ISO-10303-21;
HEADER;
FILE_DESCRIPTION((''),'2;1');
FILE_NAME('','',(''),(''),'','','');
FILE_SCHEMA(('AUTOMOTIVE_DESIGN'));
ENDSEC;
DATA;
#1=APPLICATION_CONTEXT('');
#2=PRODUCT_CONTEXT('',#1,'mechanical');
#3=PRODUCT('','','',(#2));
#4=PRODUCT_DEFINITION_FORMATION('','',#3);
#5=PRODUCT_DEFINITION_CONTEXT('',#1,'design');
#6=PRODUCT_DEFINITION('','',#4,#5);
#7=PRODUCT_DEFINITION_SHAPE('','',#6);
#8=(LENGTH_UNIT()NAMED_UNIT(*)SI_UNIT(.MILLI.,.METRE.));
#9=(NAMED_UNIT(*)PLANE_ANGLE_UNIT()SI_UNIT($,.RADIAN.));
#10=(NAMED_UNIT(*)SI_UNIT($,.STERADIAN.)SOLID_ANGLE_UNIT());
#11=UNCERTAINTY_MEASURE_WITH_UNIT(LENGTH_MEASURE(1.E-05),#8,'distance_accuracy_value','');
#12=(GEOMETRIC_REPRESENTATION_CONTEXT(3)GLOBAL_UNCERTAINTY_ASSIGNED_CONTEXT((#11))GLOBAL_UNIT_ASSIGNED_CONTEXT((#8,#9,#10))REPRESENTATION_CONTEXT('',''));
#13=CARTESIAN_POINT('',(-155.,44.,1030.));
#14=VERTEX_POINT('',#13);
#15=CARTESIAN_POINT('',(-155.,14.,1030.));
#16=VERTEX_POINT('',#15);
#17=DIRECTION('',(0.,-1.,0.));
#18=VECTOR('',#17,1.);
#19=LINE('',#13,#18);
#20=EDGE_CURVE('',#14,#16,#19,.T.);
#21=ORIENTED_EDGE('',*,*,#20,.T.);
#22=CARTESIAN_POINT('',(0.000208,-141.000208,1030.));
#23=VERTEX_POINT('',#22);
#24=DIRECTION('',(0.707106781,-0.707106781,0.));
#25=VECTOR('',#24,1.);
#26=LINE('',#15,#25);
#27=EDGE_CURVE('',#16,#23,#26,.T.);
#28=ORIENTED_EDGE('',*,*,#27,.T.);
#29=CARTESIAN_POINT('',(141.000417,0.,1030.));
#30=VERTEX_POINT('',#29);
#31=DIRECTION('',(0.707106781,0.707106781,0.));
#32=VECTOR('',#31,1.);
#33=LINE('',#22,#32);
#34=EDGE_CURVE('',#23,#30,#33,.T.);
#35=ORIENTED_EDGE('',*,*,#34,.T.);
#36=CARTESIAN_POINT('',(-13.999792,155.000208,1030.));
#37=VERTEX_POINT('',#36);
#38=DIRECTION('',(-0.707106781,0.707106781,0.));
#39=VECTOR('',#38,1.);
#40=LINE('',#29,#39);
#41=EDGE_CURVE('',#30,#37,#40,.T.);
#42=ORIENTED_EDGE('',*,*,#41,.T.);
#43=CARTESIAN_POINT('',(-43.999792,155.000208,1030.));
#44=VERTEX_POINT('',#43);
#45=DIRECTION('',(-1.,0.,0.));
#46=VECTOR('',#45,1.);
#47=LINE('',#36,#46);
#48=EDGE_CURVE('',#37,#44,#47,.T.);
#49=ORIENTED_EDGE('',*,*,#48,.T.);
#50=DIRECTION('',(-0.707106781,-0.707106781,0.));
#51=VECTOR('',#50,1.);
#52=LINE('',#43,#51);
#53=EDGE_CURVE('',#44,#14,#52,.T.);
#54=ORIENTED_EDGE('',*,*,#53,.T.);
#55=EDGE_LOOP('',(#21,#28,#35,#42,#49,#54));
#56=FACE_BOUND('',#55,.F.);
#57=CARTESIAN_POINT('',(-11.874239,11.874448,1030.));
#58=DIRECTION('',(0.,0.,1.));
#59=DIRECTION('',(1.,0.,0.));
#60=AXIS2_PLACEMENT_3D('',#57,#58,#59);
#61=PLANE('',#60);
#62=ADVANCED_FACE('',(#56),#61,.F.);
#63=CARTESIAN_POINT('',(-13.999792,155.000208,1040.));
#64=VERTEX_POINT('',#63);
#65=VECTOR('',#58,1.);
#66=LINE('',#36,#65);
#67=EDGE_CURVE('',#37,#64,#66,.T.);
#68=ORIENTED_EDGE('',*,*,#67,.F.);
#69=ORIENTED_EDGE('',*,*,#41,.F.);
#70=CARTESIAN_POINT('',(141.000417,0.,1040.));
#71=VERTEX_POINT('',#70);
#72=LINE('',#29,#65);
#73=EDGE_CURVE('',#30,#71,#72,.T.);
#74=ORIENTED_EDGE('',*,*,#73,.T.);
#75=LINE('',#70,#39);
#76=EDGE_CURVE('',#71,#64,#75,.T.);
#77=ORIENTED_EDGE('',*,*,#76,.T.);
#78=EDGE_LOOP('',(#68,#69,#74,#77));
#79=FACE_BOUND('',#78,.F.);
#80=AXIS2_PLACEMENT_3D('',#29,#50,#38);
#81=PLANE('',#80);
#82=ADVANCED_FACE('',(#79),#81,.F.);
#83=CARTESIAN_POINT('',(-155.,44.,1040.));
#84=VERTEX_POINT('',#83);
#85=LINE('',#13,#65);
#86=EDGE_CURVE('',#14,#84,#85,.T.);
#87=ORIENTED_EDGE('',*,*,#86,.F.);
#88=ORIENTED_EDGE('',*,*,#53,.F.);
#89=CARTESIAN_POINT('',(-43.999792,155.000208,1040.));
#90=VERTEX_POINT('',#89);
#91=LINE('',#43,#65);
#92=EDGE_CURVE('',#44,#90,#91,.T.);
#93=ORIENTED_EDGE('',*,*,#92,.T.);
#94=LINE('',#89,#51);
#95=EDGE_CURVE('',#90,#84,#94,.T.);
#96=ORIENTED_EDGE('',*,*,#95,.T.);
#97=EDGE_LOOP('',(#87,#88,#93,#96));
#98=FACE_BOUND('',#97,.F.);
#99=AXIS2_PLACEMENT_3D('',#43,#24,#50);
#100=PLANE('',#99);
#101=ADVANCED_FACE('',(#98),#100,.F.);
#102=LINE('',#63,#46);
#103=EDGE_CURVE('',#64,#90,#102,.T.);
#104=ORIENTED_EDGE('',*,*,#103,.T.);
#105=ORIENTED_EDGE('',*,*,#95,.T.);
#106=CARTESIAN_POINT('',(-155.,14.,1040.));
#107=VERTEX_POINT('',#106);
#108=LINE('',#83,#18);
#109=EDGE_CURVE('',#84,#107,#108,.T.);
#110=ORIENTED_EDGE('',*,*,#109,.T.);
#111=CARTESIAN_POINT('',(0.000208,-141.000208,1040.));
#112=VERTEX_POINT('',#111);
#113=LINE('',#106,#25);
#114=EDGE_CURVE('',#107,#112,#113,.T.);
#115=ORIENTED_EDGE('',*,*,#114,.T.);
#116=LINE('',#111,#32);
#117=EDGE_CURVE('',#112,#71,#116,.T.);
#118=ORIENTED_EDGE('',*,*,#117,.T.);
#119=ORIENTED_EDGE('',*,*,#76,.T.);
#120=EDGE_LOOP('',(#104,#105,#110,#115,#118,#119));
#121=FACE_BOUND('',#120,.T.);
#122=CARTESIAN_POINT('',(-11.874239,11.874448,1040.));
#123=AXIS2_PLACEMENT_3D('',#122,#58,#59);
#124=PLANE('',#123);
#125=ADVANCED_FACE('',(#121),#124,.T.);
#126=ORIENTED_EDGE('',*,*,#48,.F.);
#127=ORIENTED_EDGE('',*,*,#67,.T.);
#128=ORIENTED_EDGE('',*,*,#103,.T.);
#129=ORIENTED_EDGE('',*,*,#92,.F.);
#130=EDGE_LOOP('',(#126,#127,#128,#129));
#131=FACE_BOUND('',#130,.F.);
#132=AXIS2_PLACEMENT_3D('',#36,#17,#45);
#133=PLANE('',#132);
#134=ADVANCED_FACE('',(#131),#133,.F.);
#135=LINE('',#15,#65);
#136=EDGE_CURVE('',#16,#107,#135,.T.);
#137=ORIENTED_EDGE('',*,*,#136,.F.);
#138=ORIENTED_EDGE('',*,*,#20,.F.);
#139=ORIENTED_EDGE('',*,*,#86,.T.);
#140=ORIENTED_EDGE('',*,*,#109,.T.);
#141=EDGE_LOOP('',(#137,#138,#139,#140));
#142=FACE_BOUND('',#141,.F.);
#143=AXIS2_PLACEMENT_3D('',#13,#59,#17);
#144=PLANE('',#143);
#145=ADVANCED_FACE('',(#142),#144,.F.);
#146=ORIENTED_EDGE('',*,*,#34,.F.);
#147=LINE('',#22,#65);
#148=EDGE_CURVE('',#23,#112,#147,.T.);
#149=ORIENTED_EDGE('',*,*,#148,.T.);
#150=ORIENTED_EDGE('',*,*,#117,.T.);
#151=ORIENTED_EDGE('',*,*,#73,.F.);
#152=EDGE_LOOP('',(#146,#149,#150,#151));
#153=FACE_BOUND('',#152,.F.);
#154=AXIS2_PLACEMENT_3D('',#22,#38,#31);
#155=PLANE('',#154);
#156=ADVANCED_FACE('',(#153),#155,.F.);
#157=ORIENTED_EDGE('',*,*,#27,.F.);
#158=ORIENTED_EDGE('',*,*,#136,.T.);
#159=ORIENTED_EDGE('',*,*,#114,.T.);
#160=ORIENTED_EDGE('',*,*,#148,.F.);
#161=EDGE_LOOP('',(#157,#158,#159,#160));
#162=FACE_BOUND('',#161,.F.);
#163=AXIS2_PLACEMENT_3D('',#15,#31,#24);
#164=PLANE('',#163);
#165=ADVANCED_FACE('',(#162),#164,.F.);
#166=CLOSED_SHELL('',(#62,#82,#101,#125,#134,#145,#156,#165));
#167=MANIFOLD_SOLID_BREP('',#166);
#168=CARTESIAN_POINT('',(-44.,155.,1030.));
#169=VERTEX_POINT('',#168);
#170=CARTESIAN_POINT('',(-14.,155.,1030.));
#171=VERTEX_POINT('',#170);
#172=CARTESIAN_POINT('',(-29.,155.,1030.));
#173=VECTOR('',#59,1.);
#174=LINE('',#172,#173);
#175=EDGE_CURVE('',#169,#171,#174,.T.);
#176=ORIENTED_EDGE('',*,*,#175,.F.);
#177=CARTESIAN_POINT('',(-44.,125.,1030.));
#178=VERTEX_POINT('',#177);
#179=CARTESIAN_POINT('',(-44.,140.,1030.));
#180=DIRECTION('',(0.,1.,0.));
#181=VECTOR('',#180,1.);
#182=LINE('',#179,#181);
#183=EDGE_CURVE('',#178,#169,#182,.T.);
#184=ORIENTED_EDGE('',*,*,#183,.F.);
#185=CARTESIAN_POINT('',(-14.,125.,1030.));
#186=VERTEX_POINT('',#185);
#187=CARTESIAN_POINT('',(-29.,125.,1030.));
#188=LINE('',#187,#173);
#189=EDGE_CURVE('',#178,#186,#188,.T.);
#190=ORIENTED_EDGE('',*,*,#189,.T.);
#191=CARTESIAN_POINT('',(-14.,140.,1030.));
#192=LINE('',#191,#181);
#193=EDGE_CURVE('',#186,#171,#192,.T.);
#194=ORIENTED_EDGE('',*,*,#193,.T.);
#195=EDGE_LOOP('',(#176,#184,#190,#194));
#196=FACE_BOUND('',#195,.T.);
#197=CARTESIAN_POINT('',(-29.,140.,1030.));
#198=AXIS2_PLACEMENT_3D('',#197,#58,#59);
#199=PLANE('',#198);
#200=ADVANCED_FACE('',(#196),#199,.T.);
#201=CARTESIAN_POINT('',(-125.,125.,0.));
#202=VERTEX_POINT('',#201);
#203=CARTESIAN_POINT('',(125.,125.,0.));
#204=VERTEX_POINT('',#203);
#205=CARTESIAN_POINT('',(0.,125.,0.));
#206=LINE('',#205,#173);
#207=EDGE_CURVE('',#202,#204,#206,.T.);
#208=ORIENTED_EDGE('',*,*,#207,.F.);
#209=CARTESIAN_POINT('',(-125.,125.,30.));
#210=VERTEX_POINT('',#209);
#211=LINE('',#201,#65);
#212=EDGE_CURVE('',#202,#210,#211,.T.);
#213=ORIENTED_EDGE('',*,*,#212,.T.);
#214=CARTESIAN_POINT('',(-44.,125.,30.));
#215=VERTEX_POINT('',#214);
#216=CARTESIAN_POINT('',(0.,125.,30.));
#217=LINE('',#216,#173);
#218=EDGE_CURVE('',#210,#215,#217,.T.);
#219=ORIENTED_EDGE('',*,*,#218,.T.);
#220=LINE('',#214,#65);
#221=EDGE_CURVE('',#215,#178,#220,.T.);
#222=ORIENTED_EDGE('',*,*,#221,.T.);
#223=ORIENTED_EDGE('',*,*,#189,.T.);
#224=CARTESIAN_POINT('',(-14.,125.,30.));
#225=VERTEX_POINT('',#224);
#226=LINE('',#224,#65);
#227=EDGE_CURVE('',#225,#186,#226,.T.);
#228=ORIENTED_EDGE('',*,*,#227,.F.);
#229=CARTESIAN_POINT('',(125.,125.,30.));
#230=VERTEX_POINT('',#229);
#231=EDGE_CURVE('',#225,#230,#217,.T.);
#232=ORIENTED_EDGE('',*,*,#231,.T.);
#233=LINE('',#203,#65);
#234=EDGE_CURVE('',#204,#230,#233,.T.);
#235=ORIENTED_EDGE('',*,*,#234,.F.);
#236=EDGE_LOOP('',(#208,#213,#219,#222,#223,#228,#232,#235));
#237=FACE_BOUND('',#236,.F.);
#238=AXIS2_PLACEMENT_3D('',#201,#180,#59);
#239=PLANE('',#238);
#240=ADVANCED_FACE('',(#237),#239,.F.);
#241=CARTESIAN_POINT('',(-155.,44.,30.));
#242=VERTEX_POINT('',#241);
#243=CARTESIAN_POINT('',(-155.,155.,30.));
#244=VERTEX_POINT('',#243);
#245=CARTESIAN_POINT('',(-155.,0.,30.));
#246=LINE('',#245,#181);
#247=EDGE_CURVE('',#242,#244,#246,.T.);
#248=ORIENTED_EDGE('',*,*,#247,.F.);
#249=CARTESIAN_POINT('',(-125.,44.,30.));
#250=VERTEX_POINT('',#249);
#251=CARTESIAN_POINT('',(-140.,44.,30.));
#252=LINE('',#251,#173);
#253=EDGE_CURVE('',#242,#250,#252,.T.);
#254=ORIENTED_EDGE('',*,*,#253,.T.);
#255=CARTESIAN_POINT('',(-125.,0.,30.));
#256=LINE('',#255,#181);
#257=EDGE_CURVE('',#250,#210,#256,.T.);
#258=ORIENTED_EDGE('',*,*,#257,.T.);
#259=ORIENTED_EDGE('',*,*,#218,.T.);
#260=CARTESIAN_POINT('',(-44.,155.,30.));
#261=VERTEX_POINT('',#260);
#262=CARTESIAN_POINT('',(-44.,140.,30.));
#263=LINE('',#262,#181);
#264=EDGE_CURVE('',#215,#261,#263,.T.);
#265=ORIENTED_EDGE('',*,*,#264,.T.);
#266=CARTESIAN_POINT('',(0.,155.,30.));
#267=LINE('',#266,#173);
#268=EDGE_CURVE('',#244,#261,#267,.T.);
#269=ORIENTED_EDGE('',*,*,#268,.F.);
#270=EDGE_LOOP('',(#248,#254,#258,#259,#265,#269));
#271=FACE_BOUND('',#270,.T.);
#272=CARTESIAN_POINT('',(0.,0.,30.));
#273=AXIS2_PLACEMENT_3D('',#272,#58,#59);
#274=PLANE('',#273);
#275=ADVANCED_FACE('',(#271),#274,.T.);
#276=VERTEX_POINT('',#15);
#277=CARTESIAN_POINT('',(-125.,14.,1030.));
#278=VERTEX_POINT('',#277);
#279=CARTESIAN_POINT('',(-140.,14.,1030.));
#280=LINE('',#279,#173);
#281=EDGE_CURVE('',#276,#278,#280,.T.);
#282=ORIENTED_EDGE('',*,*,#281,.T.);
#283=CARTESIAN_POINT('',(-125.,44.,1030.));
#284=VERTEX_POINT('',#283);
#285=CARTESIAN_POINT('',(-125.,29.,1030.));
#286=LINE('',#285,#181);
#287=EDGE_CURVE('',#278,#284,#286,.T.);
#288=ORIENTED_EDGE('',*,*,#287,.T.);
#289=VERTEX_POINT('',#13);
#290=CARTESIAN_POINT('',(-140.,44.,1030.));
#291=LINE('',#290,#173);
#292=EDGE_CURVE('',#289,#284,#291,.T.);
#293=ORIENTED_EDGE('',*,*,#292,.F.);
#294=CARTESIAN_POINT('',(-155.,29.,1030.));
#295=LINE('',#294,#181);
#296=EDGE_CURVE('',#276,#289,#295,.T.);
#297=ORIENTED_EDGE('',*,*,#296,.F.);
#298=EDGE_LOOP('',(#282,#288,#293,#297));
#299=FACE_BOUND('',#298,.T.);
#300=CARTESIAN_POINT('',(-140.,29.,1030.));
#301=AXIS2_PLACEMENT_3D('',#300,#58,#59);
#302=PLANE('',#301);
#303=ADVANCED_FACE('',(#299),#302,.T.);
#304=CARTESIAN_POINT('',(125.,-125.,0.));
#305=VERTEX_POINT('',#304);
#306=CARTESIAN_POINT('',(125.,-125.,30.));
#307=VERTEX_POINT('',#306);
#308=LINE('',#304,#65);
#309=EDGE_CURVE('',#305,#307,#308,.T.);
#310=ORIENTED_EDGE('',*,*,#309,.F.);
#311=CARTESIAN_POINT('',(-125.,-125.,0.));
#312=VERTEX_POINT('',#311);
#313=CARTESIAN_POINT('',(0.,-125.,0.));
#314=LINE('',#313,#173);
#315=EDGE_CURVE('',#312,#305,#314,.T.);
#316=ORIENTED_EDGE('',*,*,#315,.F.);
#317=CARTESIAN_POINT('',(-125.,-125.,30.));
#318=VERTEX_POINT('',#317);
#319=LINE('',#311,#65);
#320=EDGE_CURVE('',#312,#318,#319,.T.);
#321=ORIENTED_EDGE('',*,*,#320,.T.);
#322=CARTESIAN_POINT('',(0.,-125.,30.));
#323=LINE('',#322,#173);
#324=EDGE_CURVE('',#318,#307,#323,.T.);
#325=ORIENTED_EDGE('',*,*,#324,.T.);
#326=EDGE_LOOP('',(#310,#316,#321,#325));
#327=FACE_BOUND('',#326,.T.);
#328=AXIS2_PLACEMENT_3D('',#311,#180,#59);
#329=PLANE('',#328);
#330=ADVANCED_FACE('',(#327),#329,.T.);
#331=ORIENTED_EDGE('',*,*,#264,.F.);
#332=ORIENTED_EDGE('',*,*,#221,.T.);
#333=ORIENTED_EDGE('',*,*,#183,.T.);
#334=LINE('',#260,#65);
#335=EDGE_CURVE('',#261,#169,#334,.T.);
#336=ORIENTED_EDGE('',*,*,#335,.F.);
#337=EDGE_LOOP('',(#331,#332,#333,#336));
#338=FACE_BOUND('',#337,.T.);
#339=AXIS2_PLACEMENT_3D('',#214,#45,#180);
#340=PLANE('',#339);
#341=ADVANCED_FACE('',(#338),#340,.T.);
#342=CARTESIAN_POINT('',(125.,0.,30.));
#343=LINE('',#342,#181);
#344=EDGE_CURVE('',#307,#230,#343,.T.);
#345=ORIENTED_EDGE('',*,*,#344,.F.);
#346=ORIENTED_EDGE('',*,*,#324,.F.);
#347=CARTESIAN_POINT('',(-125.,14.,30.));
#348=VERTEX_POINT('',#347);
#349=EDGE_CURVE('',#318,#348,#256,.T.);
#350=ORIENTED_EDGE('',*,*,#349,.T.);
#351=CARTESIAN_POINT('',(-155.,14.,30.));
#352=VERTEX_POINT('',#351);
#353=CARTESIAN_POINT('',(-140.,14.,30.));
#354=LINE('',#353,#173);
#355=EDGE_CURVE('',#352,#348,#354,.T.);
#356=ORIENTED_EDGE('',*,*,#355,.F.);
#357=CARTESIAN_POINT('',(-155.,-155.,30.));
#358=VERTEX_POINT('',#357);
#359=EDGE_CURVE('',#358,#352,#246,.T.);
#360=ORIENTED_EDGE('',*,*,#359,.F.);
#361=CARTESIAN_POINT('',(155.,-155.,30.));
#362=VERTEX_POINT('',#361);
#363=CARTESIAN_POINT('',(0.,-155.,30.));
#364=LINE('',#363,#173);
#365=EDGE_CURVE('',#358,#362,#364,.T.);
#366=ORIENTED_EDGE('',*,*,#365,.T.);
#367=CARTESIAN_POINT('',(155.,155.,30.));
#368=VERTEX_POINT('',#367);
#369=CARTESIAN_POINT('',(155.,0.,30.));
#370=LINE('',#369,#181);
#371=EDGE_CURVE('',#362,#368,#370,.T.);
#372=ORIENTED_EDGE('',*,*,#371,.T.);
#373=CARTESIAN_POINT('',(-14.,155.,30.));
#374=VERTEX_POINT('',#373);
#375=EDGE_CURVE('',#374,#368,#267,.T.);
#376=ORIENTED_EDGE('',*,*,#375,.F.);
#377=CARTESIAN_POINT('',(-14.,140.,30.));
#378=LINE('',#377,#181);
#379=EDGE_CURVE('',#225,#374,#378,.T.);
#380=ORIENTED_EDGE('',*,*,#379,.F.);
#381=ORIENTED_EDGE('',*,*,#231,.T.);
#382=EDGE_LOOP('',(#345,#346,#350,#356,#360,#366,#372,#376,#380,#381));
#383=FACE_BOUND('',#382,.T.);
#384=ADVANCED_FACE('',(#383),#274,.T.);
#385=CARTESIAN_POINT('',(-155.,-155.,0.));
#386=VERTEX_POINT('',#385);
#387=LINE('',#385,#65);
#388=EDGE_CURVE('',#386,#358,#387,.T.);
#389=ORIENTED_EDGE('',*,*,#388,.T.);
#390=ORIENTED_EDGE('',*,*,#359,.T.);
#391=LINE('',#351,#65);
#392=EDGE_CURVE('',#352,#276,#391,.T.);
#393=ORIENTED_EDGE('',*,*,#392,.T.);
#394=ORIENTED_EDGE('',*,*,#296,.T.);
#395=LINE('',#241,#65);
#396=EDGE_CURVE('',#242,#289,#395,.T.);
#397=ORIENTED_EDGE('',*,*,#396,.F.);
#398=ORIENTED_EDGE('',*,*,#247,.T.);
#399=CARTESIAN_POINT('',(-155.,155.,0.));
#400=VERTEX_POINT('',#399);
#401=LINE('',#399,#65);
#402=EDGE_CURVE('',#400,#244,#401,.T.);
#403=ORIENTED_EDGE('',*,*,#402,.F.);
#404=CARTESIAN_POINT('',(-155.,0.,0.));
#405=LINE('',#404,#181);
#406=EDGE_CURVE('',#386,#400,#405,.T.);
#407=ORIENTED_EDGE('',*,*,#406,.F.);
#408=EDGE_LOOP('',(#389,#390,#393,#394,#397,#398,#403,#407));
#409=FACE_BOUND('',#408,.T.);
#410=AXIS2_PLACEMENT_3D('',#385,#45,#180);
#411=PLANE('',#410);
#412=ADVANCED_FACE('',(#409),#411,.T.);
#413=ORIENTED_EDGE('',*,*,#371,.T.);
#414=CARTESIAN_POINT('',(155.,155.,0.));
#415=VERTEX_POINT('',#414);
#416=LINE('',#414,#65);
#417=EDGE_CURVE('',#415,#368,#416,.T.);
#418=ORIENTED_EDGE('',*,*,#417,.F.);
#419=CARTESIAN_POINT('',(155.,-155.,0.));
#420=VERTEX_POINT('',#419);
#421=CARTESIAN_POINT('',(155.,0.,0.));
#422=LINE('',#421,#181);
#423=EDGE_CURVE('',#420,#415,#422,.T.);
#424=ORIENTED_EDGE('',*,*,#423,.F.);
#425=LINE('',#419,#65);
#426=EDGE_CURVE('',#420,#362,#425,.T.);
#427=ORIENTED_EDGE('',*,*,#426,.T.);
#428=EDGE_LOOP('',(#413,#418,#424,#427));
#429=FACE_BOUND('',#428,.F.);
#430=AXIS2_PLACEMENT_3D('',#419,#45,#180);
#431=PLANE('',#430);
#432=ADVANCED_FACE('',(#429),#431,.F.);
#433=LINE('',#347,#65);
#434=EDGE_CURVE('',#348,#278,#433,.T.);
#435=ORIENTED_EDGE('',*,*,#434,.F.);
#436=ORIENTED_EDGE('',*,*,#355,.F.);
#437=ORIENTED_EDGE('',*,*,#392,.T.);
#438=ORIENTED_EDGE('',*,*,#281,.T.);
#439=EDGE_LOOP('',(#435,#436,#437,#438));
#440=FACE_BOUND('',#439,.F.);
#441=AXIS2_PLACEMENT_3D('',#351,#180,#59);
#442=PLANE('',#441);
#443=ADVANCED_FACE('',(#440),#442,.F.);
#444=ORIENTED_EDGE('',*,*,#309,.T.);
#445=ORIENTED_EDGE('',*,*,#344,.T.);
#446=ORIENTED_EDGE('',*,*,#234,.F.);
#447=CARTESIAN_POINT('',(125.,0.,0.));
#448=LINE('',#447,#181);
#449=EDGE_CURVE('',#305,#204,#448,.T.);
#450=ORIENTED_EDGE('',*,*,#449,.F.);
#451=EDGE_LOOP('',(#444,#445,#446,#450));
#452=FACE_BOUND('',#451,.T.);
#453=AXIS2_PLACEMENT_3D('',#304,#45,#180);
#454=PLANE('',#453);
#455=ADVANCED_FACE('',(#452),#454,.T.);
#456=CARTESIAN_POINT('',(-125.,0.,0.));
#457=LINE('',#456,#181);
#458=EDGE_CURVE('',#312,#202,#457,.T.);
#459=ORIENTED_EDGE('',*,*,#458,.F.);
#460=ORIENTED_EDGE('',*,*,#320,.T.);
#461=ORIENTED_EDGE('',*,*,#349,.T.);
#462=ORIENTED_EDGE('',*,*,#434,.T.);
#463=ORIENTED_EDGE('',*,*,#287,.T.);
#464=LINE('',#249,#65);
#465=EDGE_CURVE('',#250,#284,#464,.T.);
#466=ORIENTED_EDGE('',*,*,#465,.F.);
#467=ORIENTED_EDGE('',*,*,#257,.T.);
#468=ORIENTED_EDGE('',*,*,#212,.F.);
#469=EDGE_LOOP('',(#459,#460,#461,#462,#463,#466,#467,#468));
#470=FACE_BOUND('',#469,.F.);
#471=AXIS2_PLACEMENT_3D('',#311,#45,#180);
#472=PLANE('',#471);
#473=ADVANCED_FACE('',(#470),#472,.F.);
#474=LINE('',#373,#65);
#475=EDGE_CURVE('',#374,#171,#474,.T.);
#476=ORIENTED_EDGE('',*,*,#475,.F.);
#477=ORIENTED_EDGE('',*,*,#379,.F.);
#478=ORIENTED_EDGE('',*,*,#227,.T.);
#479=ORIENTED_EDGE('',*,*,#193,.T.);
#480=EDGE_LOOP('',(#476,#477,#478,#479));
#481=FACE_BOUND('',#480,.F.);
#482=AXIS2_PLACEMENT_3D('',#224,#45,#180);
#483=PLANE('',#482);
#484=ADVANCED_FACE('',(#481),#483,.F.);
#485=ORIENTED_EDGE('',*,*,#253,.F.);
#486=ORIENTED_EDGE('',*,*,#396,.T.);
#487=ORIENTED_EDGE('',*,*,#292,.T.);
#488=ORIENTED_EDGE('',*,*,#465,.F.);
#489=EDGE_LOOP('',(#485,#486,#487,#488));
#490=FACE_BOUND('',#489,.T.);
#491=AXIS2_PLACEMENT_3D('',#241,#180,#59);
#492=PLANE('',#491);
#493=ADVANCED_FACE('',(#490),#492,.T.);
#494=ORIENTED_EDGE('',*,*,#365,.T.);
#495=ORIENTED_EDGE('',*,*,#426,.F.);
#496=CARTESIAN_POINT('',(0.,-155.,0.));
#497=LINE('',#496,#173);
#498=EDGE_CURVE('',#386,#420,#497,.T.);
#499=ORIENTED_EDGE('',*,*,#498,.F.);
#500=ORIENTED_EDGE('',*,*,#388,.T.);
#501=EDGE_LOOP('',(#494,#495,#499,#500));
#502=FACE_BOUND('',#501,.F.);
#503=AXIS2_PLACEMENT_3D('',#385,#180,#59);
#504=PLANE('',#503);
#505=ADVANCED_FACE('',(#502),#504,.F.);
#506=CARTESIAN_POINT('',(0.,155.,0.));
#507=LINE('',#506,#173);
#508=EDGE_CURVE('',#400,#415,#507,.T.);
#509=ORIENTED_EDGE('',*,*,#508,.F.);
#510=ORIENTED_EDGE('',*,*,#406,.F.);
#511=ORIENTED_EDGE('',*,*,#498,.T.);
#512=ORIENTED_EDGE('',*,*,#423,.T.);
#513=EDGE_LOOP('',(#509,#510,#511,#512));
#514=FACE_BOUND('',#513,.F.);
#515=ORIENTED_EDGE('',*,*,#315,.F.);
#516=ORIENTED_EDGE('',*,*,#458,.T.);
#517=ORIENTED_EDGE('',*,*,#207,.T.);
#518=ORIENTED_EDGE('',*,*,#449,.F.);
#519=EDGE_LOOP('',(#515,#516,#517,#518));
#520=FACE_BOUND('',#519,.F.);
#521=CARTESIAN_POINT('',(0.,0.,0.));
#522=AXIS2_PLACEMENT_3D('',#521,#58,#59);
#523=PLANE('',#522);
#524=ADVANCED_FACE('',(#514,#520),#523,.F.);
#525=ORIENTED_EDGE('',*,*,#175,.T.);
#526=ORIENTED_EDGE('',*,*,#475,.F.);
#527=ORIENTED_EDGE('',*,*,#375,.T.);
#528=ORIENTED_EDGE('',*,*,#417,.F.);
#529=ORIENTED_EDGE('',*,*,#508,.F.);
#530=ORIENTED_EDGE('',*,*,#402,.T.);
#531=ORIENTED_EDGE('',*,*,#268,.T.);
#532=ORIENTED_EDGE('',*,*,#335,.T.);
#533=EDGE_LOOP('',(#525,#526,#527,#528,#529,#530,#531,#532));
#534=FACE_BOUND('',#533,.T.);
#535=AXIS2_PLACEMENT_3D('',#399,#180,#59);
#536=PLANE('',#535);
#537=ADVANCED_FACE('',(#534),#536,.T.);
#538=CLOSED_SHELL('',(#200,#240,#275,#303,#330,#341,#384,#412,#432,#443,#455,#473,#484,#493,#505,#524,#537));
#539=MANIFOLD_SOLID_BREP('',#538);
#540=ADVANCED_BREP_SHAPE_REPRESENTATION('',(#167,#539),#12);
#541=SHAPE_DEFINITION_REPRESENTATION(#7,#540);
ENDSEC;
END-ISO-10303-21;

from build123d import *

# Parameters (mm, degrees)
F0_W     = 310
F0_H     = 310
F0_W_2   = 250
F0_H_2   = 250
F1_DEPTH = 30
F2_W     = 30
F2_H     = 30
F3_DEPTH = 1000
F5_DEPTH = 10


with BuildPart() as f1:
    # F0 (on Top) → F1 (new body)
    with BuildSketch(Plane.XY):
        Rectangle(F0_W, F0_H)
        Rectangle(F0_W_2, F0_H_2, mode=Mode.SUBTRACT)
    extrude(amount=F1_DEPTH)

    # F2 (on face) → F3 (join)
    with BuildSketch(Plane.XY.offset(30)):
        with Locations((-29, 140)):
            Rectangle(F2_W, F2_H)
        with Locations((-140, 29)):
            Rectangle(F2_W, F2_H)
    extrude(amount=F3_DEPTH)


with BuildPart() as f5:
    # F4 (on face) → F5 (new body)
    with BuildSketch(Plane.XY.offset(1030)):
        Polygon((-43.9997917029, 155.0002082971), (-155, 44), (-155, 14), (0.0002082971, -141.0002082971), (141.0004165942, 0), (-13.9997917029, 155.0002082971), align=None)
    extrude(amount=F5_DEPTH)


solid = Compound([f1.part, f5.part])
